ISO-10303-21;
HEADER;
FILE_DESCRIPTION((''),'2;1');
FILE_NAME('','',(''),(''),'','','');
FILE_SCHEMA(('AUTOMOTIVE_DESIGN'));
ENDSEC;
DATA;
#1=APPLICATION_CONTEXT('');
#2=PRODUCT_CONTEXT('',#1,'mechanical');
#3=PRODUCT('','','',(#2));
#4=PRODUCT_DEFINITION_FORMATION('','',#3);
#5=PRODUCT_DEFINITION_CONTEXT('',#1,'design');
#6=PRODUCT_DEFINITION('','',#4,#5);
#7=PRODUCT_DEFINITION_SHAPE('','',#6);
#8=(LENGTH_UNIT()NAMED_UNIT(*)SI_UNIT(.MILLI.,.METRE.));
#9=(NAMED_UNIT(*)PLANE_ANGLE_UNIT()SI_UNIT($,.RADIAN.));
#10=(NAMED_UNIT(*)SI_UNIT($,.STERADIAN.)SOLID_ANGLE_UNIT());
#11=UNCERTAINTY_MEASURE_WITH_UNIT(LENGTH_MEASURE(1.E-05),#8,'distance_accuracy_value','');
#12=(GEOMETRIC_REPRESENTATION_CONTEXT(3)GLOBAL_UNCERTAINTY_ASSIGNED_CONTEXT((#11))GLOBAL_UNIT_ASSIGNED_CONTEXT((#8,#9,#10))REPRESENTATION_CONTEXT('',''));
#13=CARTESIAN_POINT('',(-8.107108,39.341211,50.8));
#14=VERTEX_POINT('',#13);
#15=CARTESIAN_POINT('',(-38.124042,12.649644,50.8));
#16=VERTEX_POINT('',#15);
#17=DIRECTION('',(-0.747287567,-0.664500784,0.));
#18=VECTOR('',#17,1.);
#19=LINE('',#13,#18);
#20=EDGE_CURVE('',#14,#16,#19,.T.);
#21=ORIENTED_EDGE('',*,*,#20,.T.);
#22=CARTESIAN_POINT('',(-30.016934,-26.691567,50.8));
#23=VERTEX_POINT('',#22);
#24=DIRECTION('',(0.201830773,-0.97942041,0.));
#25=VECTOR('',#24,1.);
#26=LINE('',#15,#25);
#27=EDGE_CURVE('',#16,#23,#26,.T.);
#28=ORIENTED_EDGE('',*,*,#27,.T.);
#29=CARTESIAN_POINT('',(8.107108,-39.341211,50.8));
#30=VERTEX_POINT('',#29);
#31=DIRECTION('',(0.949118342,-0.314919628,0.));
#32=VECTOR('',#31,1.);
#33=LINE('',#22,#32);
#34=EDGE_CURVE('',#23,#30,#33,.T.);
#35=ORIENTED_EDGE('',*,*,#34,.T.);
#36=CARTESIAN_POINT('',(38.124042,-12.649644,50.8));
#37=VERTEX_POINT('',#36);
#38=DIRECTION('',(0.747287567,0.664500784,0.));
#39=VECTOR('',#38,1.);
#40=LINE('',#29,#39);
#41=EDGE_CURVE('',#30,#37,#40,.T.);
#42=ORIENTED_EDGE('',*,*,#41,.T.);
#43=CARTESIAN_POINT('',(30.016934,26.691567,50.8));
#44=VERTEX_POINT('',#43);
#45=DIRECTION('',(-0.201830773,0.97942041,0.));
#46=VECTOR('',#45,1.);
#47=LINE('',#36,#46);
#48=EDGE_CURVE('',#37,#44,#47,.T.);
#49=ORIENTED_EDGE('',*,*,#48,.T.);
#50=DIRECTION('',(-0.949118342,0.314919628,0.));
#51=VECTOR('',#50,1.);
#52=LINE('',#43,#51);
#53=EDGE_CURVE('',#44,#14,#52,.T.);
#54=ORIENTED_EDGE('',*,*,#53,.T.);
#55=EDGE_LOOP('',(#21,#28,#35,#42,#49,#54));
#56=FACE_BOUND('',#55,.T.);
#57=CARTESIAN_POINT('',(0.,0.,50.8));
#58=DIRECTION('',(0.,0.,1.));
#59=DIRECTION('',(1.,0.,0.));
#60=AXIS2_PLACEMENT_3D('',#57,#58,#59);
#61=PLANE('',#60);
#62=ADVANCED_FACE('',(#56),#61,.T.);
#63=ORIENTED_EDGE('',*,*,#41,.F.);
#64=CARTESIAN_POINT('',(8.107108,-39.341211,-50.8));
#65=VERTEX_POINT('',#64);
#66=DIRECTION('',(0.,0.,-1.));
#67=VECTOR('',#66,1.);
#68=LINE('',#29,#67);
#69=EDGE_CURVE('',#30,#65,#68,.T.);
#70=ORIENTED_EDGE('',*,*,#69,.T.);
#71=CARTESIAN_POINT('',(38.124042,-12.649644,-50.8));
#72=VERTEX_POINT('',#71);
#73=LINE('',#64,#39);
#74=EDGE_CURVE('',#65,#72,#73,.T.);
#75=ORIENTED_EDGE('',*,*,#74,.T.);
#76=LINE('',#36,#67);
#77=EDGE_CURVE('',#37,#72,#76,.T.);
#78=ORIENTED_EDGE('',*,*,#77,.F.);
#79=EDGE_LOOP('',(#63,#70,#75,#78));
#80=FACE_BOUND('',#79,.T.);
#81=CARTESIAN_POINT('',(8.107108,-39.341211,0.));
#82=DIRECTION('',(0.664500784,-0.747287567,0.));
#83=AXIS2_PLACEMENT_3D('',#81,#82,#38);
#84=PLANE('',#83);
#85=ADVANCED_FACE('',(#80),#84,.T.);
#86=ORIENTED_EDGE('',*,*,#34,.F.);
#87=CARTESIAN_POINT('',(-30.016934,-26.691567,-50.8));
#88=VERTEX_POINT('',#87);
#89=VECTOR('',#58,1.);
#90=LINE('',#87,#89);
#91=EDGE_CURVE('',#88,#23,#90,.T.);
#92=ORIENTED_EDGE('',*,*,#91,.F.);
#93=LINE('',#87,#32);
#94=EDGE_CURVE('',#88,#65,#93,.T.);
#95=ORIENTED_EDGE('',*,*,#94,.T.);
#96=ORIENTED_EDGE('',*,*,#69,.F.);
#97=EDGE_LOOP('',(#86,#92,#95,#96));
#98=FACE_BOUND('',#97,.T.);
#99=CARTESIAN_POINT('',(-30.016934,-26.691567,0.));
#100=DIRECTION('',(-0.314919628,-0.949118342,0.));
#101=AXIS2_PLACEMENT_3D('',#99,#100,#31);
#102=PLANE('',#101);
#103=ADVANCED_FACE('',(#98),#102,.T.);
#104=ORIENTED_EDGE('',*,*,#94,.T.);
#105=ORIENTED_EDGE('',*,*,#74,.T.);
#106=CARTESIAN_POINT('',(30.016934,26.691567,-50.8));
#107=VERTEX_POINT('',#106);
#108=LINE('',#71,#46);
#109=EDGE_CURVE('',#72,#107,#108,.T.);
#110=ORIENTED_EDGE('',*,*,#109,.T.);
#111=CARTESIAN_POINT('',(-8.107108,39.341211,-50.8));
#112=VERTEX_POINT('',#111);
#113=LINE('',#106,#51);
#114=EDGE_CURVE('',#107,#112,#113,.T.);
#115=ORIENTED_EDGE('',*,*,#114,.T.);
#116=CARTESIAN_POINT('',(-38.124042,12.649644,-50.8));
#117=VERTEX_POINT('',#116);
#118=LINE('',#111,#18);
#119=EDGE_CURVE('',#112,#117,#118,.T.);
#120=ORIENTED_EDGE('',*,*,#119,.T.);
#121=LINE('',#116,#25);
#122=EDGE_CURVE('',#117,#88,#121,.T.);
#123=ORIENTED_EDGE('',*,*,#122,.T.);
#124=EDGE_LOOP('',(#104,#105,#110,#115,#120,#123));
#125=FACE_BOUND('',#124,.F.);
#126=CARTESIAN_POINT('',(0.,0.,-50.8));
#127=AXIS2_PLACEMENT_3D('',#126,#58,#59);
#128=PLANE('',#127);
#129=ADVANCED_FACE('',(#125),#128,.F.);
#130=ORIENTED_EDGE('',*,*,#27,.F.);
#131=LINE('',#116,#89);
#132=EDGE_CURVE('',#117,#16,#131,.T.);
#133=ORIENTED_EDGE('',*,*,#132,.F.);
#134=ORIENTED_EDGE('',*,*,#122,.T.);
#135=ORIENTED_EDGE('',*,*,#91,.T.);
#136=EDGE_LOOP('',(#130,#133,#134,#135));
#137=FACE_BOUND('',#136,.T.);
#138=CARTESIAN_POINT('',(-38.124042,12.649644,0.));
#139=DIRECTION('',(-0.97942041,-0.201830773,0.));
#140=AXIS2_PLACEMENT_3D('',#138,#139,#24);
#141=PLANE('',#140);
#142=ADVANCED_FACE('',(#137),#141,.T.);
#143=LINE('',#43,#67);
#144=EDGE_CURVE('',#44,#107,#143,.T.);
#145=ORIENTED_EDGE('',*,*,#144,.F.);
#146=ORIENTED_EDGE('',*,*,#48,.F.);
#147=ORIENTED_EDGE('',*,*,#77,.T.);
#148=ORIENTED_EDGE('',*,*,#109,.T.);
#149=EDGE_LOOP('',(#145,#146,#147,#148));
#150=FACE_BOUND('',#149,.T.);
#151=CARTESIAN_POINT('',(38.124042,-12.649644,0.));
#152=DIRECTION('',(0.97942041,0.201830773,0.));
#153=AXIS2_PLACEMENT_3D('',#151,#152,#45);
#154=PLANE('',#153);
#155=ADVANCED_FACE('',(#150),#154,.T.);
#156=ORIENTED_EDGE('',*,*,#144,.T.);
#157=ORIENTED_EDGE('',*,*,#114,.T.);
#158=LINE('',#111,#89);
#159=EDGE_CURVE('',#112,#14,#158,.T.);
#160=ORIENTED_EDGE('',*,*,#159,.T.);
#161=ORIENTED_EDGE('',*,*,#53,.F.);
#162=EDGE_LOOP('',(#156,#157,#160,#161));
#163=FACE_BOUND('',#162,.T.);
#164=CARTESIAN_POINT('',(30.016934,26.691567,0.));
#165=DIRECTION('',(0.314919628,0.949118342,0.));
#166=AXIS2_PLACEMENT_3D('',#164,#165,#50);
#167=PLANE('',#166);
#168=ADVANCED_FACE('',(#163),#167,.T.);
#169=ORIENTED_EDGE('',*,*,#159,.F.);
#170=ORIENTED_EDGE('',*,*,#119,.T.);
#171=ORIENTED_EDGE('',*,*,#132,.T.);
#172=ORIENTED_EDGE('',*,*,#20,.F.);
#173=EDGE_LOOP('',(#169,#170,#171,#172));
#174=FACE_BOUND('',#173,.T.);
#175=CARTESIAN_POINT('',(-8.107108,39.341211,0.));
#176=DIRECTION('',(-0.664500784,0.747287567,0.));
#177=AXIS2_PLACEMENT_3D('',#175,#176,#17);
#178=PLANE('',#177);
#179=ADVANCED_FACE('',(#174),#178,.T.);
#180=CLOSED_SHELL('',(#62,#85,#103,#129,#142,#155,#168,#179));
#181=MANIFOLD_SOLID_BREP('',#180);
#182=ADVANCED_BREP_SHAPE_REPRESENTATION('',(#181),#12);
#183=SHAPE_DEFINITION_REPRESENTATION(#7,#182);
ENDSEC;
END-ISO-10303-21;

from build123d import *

# Parameters (mm, degrees)
F1_DEPTH      = 50.8
F1_DEPTH_BACK = 50.8


with BuildPart() as f1:
    # F0 (on Top) → F1 (new body, two sides)
    with BuildSketch(Plane.XY) as f1_sk:
        Polygon((30.016934, 26.691567), (-8.107108, 39.341211), (-38.124042, 12.649644), (-30.016934, -26.691567), (8.107108, -39.341211), (38.124042, -12.649644), align=None)
    extrude(amount=F1_DEPTH)
    extrude(f1_sk.sketch, amount=-F1_DEPTH_BACK)


solid = f1.part
